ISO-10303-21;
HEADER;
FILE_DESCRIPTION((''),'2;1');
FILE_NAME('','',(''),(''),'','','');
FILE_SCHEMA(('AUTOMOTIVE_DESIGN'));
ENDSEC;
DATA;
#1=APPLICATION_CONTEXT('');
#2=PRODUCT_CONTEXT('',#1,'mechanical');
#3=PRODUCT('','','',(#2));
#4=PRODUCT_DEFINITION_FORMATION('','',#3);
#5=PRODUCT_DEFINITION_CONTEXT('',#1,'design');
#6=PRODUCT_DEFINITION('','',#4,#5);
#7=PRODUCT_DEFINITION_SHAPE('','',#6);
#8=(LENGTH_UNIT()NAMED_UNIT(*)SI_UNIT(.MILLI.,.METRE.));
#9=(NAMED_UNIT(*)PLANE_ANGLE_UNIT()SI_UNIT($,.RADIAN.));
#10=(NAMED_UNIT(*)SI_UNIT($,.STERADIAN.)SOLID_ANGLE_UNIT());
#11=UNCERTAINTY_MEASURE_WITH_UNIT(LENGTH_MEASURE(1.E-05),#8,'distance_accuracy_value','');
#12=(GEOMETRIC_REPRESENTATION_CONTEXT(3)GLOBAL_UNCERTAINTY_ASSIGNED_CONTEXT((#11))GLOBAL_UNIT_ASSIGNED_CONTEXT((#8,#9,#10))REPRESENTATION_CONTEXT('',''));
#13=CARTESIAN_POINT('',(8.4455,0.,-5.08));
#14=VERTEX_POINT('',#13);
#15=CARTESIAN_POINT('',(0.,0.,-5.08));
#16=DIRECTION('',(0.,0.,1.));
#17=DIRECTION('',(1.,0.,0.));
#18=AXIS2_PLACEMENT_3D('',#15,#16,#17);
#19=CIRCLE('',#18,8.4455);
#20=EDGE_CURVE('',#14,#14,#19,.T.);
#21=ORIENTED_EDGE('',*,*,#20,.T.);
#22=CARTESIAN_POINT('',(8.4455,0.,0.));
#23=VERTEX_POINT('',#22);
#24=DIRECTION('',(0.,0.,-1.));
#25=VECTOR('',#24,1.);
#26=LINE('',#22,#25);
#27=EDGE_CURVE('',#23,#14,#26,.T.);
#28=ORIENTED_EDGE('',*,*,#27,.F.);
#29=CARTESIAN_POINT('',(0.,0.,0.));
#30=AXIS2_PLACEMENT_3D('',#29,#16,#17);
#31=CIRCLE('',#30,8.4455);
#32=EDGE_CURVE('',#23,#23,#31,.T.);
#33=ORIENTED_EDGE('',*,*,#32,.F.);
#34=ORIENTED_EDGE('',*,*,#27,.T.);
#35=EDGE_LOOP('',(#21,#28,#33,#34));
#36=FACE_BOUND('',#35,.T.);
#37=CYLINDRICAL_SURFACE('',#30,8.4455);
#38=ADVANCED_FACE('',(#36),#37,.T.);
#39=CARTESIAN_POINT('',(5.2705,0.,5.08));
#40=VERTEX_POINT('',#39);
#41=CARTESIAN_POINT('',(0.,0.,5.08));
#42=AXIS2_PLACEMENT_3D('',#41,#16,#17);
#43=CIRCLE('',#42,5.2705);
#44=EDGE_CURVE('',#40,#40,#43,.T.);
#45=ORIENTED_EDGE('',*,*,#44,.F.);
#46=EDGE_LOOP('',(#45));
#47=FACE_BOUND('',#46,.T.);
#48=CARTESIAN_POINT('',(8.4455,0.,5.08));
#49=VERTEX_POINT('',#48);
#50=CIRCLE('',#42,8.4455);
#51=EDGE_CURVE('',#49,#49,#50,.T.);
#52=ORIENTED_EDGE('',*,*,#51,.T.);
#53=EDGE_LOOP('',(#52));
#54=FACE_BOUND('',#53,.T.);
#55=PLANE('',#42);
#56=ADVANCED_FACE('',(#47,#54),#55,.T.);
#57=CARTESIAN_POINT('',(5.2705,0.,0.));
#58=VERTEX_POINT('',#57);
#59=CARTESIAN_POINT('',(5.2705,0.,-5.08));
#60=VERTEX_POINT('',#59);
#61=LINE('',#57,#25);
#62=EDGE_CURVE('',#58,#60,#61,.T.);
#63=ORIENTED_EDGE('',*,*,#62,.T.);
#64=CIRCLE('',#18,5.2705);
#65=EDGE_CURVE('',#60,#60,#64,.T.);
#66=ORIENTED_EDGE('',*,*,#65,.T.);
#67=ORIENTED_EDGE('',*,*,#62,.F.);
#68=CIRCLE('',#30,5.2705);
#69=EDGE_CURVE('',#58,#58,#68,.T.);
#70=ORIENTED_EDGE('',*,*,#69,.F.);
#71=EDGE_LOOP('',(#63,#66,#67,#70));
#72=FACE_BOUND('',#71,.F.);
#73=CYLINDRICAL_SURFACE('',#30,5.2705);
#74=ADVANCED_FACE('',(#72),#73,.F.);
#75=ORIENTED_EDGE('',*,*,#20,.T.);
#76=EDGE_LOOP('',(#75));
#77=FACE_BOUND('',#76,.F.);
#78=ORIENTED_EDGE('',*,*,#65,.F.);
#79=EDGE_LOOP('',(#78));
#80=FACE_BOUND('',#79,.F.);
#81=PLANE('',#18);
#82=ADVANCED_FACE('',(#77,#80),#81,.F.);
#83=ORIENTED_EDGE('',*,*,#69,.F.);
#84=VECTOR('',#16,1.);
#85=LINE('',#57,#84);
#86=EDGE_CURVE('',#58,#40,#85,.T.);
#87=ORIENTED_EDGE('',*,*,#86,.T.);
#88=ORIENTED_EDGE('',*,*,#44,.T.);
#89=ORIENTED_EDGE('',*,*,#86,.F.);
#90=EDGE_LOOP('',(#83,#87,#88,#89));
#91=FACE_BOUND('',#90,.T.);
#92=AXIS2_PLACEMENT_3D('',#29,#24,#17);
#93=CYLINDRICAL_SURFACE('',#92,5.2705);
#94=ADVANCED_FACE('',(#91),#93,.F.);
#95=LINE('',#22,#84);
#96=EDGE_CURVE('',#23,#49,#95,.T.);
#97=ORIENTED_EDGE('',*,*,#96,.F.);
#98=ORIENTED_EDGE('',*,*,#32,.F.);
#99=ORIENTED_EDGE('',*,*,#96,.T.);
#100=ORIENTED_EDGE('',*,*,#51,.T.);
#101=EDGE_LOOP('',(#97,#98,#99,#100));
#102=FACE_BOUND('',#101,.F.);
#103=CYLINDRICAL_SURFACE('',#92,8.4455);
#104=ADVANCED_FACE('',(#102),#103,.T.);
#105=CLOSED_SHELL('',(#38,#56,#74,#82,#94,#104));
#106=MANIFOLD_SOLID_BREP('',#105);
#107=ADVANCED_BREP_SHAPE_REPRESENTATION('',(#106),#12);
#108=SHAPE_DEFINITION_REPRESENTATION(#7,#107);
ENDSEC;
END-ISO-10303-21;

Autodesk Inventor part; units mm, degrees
ref_plane "YZ Plane" through (0, 0, 0) normal (1, 0, 0) x (0, 1, 0)
ref_plane "XZ Plane" through (0, 0, 0) normal (0, 1, 0) x (-1, 0, 0)
ref_plane "XY Plane" through (0, 0, 0) normal (0, 0, 1) x (1, 0, 0)
sketch "Sketch1" plane through (0, 0, 0) normal (0, 0, 1) x (1, 0, 0)
  circle A0 centre (0, 0) radius 5.2705
  circle A1 centre (0, 0) radius 8.4455
  dimension "d0" = 10.541
  dimension "d1" = 3.175
extrude "Extrusion1" add sketch "Sketch1" along normal mid plane 10.16
properties part number "GP5-031" material "ABS Plastic"
